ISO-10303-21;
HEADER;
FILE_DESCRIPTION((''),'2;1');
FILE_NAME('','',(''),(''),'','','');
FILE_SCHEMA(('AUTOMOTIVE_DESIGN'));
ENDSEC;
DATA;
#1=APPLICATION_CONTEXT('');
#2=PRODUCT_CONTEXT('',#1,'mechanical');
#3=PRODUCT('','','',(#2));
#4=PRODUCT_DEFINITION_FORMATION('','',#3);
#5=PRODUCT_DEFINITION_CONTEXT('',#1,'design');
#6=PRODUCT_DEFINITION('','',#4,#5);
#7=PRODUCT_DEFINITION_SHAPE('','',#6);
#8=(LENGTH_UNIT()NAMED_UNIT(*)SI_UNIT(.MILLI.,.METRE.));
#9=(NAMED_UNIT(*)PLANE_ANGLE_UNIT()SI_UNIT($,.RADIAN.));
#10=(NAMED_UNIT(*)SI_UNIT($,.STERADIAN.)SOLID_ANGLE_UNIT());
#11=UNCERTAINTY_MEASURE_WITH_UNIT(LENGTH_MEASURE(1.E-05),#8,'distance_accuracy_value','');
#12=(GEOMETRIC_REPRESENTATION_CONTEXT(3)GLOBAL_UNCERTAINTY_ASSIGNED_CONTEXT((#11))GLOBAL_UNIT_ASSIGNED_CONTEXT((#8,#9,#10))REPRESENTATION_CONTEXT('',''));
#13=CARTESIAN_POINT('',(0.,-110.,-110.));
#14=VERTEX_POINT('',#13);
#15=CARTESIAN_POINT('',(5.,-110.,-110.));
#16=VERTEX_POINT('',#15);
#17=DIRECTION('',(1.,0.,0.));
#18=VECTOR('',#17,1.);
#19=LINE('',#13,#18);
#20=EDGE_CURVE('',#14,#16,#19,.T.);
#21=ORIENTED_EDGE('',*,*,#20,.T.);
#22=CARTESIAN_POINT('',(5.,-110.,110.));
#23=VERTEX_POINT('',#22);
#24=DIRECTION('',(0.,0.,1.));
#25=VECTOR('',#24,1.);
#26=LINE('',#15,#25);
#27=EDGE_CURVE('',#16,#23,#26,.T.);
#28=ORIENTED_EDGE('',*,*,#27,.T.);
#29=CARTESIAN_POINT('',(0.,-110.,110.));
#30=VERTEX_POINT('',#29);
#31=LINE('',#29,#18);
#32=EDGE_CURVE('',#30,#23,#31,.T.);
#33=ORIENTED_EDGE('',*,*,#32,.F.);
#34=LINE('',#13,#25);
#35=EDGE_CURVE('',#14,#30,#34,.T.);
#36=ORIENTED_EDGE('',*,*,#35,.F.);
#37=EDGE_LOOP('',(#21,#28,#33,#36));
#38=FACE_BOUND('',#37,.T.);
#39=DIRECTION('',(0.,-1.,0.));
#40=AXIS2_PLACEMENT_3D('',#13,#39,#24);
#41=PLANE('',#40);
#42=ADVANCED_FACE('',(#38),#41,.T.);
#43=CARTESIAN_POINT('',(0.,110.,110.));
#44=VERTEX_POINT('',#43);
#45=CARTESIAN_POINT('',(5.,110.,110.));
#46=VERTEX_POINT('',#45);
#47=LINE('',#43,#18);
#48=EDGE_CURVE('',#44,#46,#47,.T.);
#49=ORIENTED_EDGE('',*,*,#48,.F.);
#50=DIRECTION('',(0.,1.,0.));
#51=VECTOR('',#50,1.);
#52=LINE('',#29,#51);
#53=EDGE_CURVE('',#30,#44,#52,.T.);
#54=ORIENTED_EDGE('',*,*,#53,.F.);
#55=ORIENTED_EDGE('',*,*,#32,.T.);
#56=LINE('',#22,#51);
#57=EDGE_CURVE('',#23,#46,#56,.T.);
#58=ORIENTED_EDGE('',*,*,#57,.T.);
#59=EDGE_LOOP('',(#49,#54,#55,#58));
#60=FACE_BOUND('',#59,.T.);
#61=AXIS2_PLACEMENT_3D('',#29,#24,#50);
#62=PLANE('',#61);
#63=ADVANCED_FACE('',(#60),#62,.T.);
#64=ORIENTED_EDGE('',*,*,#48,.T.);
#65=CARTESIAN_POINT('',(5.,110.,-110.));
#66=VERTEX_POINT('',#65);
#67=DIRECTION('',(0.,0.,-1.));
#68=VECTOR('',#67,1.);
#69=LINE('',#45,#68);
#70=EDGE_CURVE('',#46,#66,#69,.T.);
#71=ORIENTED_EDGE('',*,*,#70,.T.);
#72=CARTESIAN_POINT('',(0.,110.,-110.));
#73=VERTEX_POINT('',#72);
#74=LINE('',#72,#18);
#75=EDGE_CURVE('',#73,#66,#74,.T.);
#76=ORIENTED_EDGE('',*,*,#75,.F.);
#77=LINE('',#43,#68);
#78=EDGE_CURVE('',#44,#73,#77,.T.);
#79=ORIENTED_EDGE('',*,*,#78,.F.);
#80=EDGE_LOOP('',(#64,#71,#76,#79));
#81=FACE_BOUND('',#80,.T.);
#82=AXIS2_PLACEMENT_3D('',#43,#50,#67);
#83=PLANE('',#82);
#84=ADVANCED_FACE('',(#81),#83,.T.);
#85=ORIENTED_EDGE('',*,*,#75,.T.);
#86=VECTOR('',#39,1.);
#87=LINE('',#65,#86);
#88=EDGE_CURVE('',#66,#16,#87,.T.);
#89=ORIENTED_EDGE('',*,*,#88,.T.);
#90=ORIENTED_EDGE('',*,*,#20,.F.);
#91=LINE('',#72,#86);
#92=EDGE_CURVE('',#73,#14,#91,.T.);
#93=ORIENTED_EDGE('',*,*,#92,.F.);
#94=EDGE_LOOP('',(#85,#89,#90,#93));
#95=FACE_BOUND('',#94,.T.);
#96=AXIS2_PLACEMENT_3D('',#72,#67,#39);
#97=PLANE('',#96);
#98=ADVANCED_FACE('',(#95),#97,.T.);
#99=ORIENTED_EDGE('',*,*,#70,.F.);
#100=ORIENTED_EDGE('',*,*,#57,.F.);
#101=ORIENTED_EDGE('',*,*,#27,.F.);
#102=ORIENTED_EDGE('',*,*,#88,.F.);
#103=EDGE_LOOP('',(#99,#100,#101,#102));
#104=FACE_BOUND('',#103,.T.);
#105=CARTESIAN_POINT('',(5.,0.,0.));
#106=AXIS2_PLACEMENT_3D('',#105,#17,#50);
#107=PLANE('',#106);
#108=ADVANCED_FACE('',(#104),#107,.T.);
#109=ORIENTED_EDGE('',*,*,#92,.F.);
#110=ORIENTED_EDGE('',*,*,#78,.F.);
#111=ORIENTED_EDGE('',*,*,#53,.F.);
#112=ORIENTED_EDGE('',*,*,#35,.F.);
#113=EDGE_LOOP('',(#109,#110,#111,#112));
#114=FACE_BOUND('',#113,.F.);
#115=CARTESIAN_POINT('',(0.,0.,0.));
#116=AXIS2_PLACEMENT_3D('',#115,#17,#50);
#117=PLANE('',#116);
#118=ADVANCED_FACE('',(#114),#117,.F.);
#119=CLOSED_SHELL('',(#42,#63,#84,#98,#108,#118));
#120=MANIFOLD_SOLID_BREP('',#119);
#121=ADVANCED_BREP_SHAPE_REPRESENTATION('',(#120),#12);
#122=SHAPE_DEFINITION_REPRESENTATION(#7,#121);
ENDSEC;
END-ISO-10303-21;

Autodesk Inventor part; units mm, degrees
ref_plane "YZ Plane" through (0, 0, 0) normal (1, 0, 0) x (0, 1, 0)
ref_plane "XZ Plane" through (0, 0, 0) normal (0, 1, 0) x (-1, 0, 0)
ref_plane "XY Plane" through (0, 0, 0) normal (0, 0, 1) x (1, 0, 0)
sketch "Sketch1" plane through (0, 0, 0) normal (1, 0, 0) x (0, 1, 0)
  line L0 (-110, 110) -> (110, 110)
  line L1 (110, 110) -> (110, -110)
  line L2 (110, -110) -> (-110, -110)
  line L3 (-110, -110) -> (-110, 110)
  line L4 (-110, 110) -> (110, -110) construction
  line L5 (110, 110) -> (-110, -110) construction
  point P0 (0, 0)
  dimension "d0" = 220
  dimension "d1" = 220
extrude "Extrusion1" add sketch "Sketch1" along normal blind 5
properties part number "Square" material "Pine, Southern"
